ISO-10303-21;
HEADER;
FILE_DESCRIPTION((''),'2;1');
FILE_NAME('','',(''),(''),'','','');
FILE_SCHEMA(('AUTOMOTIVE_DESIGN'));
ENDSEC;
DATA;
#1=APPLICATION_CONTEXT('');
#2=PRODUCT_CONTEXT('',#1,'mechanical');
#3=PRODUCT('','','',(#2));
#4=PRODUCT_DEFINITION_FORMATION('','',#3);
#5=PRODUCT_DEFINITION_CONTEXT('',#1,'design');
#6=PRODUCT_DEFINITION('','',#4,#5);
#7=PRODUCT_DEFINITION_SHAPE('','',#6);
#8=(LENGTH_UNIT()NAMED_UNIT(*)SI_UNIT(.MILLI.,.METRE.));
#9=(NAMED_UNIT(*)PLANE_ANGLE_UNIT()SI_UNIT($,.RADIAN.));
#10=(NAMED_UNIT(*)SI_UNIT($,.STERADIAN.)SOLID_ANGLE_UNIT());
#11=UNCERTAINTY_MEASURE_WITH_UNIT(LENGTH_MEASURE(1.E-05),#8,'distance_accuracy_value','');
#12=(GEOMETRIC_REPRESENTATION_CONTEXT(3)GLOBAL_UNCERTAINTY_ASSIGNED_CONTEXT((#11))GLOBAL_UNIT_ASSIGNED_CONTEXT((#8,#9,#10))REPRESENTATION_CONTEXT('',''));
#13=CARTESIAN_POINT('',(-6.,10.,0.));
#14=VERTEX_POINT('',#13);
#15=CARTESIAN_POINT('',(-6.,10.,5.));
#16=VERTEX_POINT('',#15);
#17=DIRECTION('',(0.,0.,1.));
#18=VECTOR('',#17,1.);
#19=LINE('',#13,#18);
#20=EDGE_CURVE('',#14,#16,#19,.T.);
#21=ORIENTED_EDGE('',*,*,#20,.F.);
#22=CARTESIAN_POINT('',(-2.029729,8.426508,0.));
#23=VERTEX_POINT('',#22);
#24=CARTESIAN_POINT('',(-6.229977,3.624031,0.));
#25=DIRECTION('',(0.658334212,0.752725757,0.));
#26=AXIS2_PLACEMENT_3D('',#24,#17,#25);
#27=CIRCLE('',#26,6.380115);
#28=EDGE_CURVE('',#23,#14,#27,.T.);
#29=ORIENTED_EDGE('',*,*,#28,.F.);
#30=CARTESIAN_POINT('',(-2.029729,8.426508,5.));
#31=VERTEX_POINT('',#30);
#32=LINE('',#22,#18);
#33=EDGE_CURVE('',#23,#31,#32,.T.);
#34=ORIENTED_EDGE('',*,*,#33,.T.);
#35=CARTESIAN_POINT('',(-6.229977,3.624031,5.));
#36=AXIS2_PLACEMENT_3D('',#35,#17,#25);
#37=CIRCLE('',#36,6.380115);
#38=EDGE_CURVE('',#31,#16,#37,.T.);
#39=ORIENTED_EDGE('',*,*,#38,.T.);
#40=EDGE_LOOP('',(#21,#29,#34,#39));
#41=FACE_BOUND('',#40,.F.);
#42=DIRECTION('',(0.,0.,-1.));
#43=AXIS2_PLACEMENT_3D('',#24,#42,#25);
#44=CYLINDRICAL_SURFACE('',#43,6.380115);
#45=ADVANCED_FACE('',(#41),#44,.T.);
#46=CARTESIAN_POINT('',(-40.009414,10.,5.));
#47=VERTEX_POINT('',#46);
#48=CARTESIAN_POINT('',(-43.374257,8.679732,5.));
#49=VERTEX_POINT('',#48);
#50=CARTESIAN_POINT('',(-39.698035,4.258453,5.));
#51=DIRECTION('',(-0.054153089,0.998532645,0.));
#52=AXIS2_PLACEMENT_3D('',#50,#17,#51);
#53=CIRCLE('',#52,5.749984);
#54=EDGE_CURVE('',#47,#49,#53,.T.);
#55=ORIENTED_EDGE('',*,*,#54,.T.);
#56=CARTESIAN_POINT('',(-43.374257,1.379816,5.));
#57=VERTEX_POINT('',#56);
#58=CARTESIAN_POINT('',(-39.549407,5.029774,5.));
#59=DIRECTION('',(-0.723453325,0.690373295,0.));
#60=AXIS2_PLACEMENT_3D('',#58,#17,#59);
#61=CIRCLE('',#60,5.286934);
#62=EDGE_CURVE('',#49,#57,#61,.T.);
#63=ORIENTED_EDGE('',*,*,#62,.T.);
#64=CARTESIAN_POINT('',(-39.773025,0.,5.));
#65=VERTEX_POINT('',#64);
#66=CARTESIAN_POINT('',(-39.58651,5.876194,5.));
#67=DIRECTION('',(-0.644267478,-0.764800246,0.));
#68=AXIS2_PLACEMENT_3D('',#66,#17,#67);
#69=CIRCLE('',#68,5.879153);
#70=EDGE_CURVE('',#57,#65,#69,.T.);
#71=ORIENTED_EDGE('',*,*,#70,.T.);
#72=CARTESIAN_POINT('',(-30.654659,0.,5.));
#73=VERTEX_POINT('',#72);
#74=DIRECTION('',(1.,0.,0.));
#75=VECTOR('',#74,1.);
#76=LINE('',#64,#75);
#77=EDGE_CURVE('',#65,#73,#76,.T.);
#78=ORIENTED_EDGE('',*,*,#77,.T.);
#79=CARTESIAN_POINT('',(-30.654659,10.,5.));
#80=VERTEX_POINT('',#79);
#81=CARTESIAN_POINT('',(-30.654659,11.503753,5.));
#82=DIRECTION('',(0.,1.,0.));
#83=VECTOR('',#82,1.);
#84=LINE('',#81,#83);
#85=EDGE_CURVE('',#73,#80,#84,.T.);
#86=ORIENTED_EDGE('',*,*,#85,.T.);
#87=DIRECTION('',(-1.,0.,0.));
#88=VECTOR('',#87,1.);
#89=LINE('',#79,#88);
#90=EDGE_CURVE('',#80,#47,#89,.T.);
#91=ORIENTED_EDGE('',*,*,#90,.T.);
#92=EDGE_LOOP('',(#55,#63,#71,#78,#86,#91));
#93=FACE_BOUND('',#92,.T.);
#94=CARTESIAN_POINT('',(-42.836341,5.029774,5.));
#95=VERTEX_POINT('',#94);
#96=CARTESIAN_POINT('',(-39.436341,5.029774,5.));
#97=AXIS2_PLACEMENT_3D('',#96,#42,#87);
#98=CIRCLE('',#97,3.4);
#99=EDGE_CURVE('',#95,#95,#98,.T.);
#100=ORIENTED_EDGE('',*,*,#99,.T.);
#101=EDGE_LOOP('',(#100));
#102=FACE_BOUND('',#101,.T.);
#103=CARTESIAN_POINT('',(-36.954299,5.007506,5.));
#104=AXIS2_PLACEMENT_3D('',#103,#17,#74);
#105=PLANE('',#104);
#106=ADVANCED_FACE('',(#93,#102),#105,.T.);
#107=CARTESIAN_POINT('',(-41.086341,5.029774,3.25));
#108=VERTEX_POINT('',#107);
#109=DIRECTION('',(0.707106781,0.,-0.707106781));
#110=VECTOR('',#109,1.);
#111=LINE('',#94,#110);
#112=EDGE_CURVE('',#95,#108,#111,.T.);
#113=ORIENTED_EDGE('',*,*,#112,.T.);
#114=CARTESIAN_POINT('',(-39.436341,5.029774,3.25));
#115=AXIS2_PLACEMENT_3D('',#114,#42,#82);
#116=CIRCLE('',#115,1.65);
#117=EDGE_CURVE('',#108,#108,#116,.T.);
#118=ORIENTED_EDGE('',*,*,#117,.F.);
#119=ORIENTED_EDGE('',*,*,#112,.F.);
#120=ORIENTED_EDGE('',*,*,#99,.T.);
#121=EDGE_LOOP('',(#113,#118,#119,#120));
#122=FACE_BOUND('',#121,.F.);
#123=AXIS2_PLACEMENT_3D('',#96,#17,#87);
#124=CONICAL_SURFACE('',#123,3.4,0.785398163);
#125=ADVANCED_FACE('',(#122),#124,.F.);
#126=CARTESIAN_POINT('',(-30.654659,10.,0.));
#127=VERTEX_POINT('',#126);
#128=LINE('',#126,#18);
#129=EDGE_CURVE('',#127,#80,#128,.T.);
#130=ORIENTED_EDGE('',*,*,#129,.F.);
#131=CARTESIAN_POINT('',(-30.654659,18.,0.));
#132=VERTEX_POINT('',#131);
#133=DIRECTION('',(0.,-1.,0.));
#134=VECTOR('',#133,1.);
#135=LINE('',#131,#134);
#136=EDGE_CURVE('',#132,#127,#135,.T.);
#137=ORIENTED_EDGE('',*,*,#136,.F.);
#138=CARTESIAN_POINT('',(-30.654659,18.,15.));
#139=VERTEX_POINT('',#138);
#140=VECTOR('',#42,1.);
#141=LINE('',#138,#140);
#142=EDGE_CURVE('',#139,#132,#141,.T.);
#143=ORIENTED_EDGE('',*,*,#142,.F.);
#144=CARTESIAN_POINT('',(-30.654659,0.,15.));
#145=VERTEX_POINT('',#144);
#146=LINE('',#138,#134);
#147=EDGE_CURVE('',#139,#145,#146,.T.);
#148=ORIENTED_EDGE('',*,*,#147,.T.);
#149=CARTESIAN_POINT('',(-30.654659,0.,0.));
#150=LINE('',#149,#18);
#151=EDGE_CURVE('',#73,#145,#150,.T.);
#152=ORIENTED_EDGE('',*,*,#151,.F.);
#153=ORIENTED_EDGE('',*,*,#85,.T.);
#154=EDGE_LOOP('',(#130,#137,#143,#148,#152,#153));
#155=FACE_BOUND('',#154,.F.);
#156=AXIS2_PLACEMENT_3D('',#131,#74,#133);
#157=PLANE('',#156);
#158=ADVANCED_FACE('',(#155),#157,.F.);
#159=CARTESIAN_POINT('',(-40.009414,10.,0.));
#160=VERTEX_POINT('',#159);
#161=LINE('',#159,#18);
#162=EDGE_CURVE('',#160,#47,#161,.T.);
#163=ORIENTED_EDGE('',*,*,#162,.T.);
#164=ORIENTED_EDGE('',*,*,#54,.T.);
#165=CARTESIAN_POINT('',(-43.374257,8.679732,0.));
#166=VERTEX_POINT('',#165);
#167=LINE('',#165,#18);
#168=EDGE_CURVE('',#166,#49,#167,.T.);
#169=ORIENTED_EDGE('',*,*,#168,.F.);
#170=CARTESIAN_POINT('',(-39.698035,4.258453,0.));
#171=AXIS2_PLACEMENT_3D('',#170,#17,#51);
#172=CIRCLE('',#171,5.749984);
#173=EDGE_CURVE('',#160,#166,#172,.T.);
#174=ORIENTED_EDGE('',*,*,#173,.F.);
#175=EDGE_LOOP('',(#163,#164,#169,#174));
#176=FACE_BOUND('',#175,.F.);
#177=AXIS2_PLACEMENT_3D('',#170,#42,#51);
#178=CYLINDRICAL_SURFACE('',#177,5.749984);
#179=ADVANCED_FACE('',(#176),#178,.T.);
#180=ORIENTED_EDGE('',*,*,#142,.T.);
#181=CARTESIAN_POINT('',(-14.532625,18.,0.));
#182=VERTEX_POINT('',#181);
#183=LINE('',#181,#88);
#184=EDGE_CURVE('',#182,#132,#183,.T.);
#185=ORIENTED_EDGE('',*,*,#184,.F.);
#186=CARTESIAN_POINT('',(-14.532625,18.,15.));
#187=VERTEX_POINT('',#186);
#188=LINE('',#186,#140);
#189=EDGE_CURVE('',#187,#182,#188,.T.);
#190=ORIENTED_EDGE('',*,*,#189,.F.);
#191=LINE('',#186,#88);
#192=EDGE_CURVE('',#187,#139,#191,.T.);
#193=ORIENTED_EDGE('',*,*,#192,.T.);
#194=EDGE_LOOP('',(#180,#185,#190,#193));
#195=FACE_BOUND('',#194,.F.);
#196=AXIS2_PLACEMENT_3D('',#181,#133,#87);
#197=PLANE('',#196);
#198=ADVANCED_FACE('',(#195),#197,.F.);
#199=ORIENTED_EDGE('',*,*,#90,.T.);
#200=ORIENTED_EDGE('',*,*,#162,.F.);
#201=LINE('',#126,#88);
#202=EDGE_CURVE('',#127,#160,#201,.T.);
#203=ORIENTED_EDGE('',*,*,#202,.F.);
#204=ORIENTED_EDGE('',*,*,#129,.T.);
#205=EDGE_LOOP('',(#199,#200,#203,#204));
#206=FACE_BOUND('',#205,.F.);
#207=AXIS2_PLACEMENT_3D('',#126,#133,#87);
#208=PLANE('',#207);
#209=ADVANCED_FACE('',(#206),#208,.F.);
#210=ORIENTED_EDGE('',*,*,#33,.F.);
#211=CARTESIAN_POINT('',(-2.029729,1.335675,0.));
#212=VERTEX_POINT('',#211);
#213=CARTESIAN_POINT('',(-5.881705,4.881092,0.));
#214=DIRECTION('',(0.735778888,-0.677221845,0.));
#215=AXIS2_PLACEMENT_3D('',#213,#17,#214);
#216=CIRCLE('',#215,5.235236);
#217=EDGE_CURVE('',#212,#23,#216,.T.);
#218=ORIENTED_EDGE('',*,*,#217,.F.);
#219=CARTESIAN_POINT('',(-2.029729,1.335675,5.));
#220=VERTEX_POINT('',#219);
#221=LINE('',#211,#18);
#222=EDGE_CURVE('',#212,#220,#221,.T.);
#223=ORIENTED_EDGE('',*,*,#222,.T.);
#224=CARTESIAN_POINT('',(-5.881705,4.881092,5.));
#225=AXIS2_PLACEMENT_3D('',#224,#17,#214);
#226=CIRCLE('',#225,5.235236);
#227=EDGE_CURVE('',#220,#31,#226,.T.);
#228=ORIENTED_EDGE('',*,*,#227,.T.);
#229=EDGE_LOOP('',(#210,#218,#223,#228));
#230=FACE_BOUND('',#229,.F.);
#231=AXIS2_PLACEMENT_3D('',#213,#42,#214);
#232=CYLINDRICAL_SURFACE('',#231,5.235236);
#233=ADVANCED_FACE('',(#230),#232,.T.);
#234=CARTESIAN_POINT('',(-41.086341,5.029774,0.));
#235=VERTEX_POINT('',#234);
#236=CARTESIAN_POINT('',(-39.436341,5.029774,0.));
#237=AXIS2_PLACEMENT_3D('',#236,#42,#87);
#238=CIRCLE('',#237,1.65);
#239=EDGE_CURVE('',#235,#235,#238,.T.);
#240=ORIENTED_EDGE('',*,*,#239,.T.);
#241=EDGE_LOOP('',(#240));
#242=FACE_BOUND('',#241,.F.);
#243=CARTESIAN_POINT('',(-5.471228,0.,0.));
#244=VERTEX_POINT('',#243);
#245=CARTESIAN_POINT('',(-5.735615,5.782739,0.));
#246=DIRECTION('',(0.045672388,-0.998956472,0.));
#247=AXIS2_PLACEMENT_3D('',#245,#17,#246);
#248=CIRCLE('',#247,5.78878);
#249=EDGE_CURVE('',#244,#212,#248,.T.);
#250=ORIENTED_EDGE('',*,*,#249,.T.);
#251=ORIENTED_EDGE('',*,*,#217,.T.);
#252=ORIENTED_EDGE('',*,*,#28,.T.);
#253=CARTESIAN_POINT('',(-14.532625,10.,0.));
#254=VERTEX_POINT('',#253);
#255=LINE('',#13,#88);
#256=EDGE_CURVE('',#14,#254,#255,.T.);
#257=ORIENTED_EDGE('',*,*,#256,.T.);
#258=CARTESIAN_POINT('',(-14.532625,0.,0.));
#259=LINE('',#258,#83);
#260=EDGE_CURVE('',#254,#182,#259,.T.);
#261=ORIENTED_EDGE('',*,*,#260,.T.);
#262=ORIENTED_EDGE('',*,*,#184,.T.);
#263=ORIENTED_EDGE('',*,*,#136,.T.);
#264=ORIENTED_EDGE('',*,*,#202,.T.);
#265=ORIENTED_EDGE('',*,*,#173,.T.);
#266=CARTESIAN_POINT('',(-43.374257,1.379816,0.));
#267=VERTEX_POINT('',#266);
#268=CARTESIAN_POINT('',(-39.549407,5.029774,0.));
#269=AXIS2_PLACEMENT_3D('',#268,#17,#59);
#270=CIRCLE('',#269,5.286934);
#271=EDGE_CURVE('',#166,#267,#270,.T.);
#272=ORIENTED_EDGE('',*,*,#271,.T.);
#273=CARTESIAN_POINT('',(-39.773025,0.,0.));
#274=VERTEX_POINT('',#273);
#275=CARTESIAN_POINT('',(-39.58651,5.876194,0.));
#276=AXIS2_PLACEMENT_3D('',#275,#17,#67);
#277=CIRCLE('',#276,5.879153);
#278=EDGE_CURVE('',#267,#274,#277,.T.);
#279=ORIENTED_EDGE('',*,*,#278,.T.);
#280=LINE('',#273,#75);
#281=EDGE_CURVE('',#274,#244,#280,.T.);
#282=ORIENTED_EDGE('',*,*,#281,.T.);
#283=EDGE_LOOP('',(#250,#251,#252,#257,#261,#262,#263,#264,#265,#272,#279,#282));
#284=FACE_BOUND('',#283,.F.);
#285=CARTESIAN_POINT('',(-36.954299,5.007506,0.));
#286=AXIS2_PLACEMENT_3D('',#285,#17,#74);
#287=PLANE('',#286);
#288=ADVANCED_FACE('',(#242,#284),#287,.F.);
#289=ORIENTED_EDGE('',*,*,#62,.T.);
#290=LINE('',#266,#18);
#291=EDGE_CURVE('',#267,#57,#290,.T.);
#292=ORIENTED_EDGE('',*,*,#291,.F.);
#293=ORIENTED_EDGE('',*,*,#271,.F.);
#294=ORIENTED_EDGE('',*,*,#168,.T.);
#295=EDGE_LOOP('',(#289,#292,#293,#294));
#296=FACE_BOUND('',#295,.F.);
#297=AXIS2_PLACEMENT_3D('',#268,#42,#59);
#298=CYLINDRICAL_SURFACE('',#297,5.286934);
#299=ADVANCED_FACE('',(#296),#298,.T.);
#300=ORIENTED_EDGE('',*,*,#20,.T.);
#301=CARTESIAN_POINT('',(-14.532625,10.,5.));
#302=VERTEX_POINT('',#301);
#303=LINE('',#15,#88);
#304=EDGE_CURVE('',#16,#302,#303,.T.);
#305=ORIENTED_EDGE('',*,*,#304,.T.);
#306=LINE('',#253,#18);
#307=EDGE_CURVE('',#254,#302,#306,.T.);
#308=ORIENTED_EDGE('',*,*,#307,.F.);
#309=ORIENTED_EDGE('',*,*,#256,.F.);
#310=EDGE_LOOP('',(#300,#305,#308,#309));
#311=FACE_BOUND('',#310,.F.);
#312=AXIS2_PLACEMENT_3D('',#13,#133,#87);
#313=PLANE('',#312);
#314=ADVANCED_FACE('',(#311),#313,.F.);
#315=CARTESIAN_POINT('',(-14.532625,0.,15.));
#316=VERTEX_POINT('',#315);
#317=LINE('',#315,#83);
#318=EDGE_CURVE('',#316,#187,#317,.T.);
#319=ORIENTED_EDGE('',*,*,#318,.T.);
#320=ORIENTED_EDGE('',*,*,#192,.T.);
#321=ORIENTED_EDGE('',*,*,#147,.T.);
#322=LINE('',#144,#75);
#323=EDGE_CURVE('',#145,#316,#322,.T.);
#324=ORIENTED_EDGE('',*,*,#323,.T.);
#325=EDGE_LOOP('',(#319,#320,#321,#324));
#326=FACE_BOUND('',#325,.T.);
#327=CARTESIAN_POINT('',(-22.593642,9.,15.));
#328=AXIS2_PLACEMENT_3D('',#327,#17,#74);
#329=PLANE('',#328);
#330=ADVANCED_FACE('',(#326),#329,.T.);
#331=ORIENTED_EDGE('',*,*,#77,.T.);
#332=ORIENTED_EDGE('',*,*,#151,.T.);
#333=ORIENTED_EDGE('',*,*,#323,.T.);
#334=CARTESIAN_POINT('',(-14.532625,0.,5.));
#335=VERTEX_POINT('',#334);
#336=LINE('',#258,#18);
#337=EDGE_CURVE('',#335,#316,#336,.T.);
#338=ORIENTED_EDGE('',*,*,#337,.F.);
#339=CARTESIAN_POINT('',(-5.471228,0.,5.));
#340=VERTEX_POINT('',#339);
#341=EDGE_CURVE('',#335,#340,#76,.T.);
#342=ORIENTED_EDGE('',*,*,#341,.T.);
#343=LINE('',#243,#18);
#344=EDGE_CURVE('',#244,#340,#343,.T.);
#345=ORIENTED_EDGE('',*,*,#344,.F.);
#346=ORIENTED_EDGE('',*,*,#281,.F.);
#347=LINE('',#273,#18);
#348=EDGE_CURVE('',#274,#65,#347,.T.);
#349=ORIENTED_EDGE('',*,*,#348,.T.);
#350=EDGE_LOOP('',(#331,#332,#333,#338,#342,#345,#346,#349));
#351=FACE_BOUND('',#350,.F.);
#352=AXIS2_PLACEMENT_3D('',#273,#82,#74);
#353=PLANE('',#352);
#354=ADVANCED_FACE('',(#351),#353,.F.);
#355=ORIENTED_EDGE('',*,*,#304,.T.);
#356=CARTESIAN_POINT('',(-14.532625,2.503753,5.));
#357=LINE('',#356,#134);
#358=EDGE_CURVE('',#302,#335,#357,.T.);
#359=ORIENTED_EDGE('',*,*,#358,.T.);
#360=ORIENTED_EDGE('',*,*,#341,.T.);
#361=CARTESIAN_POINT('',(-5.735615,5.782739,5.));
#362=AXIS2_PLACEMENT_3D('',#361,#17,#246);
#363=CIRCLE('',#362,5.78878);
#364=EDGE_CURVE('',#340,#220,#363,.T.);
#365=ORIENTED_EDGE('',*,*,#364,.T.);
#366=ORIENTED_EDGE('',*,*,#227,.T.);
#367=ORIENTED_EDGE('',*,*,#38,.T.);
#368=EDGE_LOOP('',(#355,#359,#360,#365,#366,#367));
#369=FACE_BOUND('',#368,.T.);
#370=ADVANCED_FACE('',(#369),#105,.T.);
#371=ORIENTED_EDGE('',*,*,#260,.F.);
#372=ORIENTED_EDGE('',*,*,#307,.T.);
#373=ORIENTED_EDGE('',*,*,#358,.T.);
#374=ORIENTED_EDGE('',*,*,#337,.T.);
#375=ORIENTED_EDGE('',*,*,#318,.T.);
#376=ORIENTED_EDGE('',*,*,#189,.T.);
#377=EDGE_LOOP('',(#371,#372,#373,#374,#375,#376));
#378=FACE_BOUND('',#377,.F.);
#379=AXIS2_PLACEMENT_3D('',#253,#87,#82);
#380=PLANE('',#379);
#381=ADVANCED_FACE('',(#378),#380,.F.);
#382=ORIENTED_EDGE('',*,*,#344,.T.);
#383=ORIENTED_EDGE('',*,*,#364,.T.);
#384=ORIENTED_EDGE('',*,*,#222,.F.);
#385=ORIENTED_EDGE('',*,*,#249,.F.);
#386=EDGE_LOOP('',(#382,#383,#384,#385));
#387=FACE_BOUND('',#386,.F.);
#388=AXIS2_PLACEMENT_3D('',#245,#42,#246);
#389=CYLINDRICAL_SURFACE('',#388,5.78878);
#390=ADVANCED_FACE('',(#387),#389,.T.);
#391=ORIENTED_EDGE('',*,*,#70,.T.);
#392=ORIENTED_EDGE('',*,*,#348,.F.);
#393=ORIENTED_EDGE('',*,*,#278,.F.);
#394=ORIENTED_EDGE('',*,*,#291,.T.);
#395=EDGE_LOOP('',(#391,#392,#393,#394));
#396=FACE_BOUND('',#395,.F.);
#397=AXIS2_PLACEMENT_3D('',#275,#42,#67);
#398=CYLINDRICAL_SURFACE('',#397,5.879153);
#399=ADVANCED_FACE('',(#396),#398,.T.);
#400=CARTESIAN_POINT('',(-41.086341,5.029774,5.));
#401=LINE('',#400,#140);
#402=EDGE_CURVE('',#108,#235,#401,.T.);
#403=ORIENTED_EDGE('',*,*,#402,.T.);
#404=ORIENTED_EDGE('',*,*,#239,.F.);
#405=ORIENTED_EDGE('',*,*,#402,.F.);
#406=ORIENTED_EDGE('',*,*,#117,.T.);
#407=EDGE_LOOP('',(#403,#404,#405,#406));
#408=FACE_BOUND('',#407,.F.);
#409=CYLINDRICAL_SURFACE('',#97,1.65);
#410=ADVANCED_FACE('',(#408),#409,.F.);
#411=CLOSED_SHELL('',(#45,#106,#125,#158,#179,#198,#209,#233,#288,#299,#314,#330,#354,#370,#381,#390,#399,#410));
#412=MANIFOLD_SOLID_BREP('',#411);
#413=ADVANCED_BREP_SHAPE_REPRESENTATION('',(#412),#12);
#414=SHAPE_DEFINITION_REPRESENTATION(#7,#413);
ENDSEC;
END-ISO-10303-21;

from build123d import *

# Parameters (mm, degrees)
F0_R           = 1.7
F1_DEPTH       = 5
F2_DEPTH       = 15
F4_D           = 3.3
F4_CSINK_D     = 6.8
F4_CSINK_ANGLE = 90


with BuildPart() as f1:
    # F0 (on Top) → F1 (new body)
    with BuildSketch(Plane.XY):
        with BuildLine():
            Line((-39.4, 0), (-30.654659, 0))
            Line((-30.654659, 0), (-30.654659, 10))
            Line((-30.654659, 10), (-39.386656, 10))
            Line((-39.386656, 10), (-40.009414, 10))
            ThreePointArc((-40.009414, 10), (-41.798277, 9.611144), (-43.374257, 8.679732))
            ThreePointArc((-43.374257, 8.679732), (-44.836341, 5.029774), (-43.374257, 1.379816))
            ThreePointArc((-43.374257, 1.379816), (-41.689998, 0.386223), (-39.773025, 0))
            Line((-39.773025, 0), (-39.4, 0))
        make_face()
        with Locations((-39.4, 5)):
            Circle(F0_R, mode=Mode.SUBTRACT)
        Polygon((-30.654659, 0), (-14.532625, 0), (-14.532625, 10), (-14.532625, 18), (-30.654659, 18), (-30.654659, 10), align=None)
        with BuildLine():
            Line((-6, 0), (-5.471228, 0))
            ThreePointArc((-5.471228, 0), (-3.641152, 0.386148), (-2.029729, 1.335675))
            ThreePointArc((-2.029729, 1.335675), (-0.646469, 4.881091), (-2.029729, 8.426508))
            ThreePointArc((-2.029729, 8.426508), (-3.879298, 9.555319), (-6, 10))
            Line((-6, 10), (-14.532625, 10))
            Line((-14.532625, 10), (-14.532625, 0))
            Line((-14.532625, 0), (-6, 0))
        make_face()
        with Locations((-6, 5)):
            Circle(F0_R, mode=Mode.SUBTRACT)
        with Locations((-39.4, 5)):
            Circle(F0_R)
        with Locations((-6, 5)):
            Circle(F0_R)
    extrude(amount=F1_DEPTH)

    # F0 (on Top) → F2 (join)
    with BuildSketch(Plane.XY):
        Polygon((-30.654659, 0), (-14.532625, 0), (-14.532625, 10), (-14.532625, 18), (-30.654659, 18), (-30.654659, 10), align=None)
    extrude(amount=F2_DEPTH)

    # F4 (through all)
    with Locations(Plane.XY.offset(5)):
        with Locations((-39.436341, 5.029774)):
            CounterSinkHole(F4_D / 2, F4_CSINK_D / 2, counter_sink_angle=F4_CSINK_ANGLE)


solid = f1.part
